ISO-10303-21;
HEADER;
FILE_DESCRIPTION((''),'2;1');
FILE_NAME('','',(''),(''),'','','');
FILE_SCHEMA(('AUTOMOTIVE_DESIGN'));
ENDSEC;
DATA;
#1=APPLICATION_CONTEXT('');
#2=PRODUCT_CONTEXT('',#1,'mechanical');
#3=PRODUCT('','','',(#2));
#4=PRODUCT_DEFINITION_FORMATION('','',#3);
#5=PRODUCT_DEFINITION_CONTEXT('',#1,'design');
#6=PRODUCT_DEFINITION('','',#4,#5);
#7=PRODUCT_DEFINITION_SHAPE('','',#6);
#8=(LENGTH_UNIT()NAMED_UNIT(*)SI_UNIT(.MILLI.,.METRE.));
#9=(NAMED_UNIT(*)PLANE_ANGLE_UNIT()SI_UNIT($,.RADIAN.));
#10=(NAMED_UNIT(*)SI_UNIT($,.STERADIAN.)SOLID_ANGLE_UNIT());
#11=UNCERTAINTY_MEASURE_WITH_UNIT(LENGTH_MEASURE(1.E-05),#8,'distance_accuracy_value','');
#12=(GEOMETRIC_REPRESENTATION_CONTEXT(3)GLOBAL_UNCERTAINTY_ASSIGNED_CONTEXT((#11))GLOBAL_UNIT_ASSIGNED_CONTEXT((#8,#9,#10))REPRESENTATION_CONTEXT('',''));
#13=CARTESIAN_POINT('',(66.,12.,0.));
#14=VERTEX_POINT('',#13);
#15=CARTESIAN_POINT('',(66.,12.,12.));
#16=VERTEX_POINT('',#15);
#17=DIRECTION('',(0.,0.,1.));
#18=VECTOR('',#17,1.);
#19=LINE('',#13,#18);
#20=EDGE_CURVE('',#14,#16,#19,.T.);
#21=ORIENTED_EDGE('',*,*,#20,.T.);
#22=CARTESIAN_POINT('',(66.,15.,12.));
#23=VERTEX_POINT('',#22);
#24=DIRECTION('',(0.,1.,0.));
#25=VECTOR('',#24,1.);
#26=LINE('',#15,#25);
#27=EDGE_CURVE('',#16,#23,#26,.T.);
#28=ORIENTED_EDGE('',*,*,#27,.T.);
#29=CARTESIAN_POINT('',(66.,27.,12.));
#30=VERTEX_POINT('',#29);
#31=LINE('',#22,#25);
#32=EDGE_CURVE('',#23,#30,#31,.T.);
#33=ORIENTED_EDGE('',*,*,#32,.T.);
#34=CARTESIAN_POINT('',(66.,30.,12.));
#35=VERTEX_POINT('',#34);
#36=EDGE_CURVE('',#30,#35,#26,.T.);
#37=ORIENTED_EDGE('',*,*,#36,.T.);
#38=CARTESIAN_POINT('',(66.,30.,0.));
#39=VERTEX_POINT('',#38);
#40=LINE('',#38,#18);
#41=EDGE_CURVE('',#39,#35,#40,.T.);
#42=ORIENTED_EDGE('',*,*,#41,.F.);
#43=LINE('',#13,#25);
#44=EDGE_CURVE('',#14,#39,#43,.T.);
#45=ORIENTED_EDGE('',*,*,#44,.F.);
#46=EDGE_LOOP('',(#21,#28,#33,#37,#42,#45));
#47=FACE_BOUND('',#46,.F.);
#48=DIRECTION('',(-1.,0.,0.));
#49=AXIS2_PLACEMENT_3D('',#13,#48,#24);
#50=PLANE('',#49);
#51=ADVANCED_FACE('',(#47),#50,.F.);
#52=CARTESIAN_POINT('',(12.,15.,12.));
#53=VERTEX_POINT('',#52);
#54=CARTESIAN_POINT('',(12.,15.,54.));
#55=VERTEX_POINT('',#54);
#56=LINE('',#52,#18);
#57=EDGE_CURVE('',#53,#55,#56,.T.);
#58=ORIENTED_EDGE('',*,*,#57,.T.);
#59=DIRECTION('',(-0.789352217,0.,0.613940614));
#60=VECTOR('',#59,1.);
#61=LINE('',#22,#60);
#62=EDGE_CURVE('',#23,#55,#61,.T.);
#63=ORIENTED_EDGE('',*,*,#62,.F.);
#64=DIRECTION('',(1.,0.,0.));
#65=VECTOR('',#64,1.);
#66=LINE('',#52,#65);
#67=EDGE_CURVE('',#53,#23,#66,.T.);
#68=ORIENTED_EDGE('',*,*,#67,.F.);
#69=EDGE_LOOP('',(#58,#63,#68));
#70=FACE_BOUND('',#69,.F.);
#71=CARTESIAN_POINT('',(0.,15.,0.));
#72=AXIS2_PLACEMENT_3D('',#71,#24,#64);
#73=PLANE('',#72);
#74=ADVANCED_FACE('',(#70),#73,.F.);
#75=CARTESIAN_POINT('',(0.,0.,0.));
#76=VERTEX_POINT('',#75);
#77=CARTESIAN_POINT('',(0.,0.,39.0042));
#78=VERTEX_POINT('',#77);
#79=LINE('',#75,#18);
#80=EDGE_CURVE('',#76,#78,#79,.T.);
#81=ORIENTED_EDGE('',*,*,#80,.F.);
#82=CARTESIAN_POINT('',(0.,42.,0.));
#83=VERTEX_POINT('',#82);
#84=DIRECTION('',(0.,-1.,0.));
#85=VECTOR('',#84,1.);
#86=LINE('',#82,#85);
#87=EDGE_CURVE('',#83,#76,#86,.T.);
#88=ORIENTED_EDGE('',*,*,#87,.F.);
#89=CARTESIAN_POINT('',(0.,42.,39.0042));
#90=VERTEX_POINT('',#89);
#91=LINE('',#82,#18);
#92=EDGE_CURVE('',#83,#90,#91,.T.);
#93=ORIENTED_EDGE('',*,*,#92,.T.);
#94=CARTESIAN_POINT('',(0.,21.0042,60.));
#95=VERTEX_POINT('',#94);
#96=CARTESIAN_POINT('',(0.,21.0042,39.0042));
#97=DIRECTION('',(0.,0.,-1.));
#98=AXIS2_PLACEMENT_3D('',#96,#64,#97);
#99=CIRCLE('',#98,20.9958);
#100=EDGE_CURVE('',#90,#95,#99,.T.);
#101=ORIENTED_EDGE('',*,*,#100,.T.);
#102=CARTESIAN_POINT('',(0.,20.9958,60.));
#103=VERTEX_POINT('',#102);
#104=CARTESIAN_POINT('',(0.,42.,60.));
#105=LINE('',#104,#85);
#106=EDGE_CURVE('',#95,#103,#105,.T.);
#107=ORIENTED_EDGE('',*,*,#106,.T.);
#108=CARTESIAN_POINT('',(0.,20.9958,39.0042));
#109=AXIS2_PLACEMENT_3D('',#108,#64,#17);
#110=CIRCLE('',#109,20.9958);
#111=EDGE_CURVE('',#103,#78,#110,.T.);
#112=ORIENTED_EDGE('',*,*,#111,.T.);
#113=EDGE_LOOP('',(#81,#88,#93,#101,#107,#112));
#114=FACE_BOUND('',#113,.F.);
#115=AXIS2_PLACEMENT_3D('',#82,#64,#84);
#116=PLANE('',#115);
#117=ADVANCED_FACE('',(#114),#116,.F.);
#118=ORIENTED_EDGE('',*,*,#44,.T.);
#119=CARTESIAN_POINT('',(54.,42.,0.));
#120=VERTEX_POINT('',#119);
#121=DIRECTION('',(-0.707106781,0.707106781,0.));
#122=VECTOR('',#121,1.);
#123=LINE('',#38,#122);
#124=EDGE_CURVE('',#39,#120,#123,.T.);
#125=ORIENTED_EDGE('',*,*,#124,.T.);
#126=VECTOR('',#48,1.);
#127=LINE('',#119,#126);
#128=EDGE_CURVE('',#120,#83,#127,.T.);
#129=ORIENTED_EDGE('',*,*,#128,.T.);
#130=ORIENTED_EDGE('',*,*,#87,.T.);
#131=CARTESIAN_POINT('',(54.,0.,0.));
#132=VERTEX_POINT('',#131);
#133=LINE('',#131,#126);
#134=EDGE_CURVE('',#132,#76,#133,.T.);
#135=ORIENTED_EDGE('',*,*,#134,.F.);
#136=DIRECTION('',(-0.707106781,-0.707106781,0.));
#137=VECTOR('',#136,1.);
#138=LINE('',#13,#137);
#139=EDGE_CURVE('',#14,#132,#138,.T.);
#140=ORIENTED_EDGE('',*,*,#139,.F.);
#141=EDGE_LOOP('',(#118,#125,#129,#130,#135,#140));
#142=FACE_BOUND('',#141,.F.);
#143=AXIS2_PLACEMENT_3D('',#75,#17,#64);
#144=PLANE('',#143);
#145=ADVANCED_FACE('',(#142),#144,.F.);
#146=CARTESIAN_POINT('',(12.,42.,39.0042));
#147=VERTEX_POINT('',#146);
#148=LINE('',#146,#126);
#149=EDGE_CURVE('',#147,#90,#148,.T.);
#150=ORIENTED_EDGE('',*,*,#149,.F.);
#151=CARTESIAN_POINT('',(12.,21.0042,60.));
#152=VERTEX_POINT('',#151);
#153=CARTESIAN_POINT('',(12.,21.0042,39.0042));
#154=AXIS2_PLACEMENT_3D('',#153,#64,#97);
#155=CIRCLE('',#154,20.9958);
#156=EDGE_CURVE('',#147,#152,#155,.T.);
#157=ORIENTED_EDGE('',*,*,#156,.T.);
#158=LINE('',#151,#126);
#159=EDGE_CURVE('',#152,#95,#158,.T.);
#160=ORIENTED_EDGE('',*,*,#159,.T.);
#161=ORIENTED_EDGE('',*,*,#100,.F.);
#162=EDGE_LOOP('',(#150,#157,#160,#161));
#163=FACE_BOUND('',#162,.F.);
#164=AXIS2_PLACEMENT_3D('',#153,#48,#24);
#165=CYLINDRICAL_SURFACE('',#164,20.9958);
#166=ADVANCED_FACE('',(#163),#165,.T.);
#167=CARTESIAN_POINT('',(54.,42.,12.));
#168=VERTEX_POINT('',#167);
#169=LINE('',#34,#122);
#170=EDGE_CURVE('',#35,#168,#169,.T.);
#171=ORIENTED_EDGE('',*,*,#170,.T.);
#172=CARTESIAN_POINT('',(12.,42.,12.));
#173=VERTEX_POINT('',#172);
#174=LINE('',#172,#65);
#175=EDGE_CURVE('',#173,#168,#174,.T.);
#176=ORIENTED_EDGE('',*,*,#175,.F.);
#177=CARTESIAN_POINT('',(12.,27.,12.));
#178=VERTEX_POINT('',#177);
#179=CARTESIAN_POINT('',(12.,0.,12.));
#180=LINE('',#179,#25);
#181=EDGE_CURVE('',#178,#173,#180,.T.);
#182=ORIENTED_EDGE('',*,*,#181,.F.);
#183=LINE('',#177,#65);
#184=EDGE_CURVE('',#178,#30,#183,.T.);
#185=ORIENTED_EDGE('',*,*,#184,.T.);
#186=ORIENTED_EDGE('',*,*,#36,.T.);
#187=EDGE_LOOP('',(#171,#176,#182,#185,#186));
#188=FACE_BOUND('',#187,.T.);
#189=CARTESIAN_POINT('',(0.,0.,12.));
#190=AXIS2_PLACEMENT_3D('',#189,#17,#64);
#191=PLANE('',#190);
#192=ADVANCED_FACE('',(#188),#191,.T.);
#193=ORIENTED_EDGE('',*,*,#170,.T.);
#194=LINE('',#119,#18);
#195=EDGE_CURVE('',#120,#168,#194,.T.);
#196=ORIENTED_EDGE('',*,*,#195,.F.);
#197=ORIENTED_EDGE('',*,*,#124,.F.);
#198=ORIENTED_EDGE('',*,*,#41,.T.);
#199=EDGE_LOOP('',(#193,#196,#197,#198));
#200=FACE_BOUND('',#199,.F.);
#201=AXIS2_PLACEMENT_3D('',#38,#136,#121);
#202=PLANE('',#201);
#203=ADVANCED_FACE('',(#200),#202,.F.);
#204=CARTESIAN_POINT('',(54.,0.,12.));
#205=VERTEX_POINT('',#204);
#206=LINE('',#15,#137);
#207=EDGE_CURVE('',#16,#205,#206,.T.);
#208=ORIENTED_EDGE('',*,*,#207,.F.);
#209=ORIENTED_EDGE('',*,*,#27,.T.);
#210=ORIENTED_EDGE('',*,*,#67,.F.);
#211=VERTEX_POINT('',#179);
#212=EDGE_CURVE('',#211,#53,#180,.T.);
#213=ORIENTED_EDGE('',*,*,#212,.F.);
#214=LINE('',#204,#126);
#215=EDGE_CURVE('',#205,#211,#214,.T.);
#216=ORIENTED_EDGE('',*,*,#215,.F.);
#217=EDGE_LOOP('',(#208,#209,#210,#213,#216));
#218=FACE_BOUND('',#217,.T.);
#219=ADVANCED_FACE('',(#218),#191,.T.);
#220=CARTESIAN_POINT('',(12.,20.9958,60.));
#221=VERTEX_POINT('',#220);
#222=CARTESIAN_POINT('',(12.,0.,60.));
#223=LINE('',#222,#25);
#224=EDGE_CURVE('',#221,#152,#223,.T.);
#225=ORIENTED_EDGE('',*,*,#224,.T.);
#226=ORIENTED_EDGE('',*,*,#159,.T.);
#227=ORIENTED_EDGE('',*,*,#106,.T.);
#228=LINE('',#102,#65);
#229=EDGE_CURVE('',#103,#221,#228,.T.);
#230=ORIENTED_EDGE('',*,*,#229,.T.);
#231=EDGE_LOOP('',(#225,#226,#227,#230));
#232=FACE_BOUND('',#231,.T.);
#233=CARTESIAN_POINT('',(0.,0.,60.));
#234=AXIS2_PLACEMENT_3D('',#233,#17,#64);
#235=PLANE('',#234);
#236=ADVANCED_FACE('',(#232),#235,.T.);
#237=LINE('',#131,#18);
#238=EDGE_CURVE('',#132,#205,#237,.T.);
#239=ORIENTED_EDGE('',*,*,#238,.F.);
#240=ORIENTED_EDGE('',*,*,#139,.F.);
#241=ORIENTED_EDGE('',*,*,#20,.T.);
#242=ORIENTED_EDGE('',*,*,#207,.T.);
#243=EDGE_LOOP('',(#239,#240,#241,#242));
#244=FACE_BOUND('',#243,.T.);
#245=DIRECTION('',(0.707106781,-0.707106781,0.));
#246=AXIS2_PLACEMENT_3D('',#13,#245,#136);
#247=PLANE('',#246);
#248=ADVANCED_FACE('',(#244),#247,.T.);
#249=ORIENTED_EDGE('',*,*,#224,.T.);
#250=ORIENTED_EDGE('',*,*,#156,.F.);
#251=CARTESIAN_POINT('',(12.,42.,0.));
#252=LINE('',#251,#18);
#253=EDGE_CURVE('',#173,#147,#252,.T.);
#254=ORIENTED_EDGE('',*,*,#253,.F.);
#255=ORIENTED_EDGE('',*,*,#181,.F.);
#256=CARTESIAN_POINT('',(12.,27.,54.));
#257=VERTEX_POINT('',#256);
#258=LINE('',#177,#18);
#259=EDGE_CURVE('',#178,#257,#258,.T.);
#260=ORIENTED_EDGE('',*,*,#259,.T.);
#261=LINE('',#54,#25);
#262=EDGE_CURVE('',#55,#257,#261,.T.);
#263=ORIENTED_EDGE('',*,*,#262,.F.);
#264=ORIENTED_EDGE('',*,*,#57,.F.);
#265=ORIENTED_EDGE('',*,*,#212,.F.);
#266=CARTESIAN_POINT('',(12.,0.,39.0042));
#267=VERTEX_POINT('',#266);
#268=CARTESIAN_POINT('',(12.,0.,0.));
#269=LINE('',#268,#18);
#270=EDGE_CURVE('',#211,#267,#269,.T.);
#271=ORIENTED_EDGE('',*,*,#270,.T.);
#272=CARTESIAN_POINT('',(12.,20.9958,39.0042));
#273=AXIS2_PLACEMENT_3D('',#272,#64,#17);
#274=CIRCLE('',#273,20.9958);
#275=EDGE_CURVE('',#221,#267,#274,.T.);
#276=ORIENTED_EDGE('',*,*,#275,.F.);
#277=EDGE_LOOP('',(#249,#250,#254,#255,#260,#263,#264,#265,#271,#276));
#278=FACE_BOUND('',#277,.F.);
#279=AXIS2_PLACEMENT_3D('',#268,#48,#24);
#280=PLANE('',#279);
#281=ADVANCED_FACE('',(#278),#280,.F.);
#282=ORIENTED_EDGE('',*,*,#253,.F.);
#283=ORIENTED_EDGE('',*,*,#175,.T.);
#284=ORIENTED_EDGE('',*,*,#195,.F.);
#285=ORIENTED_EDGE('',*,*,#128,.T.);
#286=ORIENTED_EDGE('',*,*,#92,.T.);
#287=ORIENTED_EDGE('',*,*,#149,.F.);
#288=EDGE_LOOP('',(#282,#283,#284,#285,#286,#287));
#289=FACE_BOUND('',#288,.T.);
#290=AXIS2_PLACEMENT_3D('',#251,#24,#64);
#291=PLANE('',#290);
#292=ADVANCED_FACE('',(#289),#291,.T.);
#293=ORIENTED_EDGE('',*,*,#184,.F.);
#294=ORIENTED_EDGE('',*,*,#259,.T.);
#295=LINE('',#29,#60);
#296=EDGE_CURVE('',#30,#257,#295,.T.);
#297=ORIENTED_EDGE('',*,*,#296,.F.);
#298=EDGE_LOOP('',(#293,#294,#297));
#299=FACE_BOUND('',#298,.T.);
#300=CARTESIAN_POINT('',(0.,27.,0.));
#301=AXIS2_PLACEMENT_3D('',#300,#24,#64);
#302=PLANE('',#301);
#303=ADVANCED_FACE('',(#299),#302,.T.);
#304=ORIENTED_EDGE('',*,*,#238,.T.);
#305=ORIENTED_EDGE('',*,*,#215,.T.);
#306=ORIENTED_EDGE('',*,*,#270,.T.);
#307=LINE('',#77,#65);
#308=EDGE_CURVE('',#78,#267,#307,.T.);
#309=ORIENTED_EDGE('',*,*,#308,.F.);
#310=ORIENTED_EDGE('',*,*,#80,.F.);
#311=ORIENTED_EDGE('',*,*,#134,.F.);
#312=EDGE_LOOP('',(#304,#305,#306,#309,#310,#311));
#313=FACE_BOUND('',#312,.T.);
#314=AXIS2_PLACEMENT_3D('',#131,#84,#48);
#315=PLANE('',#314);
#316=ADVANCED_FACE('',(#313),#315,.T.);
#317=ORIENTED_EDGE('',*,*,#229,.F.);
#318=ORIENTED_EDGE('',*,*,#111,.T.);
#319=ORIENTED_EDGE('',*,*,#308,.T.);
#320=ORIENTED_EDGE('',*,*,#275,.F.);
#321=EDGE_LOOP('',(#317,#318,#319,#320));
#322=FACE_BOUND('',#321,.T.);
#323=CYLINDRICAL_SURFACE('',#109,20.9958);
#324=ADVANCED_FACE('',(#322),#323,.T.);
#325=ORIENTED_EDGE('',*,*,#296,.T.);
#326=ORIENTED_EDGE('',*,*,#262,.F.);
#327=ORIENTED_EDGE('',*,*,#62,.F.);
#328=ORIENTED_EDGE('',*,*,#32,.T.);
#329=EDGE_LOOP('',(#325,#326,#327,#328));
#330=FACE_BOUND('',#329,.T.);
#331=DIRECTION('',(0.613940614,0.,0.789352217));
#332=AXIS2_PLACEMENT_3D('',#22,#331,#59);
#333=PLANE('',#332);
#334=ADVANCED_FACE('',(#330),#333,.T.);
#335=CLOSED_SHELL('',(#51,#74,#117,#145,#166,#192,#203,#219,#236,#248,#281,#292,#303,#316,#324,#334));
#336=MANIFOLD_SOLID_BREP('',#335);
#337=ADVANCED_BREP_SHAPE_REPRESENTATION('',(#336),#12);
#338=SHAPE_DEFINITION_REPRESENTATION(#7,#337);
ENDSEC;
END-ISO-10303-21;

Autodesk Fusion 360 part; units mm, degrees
sketch "Base" plane through (0, 0, 0) normal (0, 0, 1) x (1, 0, 0)
  line L0 (0, 0) -> (12, 0)
  line L1 (12, 0) -> (12, 42)
  line L2 (12, 42) -> (0, 42)
  line L3 (0, 42) -> (0, 0)
  line L4 (12, 42) -> (54, 42)
  line L5 (54, 0) -> (12, 0)
  line L6 (54, 0) -> (54, 1) construction
  line L7 (54, 0) -> (54, 12) construction
  line L8 (54, 12) -> (66, 12) construction
  line L9 (66, 12) -> (54, 0)
  line L10 (66, 12) -> (66, 30)
  line L11 (0, 21) -> (66, 21) construction
  line L12 (54, 30) -> (66, 30) construction
  line L13 (54, 42) -> (54, 30) construction
  line L14 (66, 30) -> (54, 42)
  dimension "d1" = 12
  dimension "d2" = 42
  dimension "d4" = 18
extrude "Extrude1" add sketch "Base" along normal blind 12 contours L1 L4 L5 L9 L10 L14
extrude "Extrude2" add sketch "Base" along normal blind 60 contours L0 L1 L2 L3
fillet "Fillet1" radius 21 2 edges at (6, 0, 60) (6, 42, 60)
sketch "Triangle" plane through (0, 0, 0) normal (0, 1, 0) x (1, 0, 0)
  line L0 (12, -12) -> (12, -54)
  line L1 (12, -12) -> (66, -12)
  line L2 (66, -12) -> (12, -54)
extrude "Extrude3" add sketch "Triangle" along normal blind 12 from surface at 15
